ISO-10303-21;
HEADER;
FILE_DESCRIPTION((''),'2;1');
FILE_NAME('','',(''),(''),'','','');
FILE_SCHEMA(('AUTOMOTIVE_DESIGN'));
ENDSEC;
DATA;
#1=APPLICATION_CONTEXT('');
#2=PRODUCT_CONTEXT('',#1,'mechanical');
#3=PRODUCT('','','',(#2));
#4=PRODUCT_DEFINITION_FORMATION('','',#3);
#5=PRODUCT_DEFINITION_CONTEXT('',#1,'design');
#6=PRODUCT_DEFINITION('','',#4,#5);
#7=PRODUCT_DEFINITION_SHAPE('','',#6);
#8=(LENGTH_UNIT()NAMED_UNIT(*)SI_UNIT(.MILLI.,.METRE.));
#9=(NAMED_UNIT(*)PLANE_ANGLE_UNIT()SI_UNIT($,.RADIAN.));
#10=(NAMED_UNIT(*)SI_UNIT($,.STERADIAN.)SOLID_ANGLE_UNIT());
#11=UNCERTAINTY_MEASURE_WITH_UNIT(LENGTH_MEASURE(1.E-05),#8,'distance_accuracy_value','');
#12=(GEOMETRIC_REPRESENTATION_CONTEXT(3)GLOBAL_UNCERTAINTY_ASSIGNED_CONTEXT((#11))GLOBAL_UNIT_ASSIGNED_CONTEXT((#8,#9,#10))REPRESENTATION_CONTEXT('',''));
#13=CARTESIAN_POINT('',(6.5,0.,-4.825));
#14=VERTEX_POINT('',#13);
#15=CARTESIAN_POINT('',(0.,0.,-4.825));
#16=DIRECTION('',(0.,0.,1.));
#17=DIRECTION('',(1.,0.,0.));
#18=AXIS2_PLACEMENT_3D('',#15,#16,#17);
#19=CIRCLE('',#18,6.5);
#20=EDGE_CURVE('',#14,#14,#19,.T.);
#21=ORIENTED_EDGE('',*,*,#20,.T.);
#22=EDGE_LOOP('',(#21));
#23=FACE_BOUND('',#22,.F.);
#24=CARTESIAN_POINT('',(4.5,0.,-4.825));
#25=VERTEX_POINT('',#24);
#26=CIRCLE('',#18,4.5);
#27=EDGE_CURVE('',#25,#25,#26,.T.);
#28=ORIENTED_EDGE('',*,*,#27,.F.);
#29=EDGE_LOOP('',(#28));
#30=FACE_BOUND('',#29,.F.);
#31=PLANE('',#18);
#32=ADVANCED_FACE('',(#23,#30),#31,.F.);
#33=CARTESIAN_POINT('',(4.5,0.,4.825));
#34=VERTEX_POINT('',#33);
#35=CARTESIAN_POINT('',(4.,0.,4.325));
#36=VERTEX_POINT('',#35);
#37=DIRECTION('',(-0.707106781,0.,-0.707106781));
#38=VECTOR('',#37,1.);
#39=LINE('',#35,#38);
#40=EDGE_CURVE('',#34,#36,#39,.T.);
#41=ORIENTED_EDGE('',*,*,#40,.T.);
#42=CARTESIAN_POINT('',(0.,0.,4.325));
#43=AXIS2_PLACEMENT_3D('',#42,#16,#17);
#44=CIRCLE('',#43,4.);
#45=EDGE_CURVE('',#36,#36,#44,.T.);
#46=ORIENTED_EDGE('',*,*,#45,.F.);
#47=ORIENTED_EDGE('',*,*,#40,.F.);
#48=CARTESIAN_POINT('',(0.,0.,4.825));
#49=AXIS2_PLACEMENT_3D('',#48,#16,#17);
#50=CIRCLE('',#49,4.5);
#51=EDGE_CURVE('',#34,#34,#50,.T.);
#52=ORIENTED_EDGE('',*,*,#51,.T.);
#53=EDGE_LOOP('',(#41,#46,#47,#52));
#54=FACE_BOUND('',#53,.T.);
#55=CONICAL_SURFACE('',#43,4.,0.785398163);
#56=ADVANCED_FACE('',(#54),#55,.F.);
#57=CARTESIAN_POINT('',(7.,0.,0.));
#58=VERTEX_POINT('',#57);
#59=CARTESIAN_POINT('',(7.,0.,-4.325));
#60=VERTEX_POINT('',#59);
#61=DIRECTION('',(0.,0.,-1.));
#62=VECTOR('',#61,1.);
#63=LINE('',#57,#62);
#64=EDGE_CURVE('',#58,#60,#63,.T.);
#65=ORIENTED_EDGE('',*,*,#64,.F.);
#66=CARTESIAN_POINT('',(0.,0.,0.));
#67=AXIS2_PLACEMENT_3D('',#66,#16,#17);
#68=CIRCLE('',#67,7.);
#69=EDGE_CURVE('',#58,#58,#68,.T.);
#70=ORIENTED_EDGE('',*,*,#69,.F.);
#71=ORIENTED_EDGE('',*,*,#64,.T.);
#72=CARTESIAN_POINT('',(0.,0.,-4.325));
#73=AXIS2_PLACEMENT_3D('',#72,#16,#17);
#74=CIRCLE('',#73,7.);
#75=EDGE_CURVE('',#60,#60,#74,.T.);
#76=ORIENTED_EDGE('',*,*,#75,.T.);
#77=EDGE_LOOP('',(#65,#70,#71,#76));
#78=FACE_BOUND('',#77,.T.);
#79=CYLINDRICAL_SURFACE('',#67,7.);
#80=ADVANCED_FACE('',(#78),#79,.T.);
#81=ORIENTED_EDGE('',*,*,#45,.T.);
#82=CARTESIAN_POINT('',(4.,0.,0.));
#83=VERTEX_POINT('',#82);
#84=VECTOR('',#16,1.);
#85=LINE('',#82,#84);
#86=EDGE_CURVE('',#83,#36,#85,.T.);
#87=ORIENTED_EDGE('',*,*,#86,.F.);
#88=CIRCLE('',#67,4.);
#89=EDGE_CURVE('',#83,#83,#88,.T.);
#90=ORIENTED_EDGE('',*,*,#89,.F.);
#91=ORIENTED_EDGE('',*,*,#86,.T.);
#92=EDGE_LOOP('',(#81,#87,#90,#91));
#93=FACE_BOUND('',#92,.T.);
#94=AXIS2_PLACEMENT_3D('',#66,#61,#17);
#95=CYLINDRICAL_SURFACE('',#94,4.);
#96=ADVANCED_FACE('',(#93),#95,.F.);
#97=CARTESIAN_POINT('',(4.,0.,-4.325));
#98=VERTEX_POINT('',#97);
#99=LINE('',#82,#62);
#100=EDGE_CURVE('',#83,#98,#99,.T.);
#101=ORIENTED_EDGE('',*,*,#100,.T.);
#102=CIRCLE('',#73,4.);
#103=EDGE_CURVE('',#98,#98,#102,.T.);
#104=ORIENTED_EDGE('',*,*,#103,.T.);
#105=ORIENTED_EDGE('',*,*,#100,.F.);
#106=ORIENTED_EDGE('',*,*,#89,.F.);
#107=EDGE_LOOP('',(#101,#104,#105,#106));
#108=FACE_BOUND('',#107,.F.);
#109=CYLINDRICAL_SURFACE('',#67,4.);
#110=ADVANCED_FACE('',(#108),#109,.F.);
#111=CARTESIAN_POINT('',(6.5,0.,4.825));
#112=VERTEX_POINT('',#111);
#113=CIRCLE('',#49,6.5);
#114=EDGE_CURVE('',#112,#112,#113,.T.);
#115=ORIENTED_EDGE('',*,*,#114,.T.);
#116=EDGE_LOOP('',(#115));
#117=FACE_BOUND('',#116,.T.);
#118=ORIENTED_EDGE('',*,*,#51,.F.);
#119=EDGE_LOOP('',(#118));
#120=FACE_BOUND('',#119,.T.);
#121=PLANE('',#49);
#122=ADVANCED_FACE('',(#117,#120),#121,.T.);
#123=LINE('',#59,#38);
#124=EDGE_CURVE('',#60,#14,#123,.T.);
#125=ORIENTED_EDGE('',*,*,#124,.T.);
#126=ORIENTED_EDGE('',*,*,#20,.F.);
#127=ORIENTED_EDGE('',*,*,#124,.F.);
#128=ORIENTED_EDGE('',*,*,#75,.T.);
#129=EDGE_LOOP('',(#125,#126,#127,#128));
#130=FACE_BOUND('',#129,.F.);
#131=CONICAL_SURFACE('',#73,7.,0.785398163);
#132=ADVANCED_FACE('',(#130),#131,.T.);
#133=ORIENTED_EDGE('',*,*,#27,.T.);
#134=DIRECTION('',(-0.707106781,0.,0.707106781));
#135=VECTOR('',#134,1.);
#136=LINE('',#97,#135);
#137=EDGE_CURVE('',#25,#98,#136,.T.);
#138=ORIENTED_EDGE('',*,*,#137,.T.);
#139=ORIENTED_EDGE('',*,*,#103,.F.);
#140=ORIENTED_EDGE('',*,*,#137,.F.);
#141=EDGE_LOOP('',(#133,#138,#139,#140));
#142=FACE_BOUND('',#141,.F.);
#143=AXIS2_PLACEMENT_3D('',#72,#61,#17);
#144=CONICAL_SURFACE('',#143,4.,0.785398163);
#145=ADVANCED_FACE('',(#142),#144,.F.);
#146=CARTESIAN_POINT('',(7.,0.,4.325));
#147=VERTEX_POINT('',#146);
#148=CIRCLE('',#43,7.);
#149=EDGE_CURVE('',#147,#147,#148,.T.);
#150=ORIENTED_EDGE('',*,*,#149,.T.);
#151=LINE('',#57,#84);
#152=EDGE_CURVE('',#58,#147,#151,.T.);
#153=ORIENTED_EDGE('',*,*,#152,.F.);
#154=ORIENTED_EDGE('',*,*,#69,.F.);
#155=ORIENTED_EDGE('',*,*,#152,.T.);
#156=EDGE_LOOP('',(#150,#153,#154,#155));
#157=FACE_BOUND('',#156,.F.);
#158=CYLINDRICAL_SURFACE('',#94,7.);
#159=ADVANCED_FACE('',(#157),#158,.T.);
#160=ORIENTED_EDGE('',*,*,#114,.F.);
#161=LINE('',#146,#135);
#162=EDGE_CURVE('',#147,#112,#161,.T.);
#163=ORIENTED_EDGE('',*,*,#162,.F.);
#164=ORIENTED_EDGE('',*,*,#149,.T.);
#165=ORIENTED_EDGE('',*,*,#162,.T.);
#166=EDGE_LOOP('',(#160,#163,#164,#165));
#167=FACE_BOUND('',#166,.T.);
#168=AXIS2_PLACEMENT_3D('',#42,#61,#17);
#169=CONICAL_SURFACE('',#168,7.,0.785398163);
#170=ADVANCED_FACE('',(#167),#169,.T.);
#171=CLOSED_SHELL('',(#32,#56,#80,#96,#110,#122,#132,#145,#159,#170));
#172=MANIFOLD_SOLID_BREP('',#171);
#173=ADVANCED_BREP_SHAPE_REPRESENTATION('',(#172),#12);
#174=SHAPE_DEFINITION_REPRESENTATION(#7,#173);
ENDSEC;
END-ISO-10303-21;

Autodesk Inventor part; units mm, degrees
ref_plane "YZ Plane" through (0, 0, 0) normal (1, 0, 0) x (0, 1, 0)
ref_plane "XZ Plane" through (0, 0, 0) normal (0, 1, 0) x (-1, 0, 0)
ref_plane "XY Plane" through (0, 0, 0) normal (0, 0, 1) x (1, 0, 0)
sketch "スケッチ1" plane through (0, 0, 0) normal (0, 0, 1) x (1, 0, 0)
  circle A0 centre (0, 0) radius 4
  circle A1 centre (0, 0) radius 7
  dimension "d0" = 8
  dimension "d1" = 14
extrude "押し出し1" add sketch "スケッチ1" along normal mid plane 9.65
chamfer "面取り1" distance 0.5 angle 45 4 edges at (-7, 0, 4.825) (-4, 0, 4.825) (-7, 0, -4.825) (-4, 0, -4.825)
properties part number "spacer6" material "ABS プラスチック"
